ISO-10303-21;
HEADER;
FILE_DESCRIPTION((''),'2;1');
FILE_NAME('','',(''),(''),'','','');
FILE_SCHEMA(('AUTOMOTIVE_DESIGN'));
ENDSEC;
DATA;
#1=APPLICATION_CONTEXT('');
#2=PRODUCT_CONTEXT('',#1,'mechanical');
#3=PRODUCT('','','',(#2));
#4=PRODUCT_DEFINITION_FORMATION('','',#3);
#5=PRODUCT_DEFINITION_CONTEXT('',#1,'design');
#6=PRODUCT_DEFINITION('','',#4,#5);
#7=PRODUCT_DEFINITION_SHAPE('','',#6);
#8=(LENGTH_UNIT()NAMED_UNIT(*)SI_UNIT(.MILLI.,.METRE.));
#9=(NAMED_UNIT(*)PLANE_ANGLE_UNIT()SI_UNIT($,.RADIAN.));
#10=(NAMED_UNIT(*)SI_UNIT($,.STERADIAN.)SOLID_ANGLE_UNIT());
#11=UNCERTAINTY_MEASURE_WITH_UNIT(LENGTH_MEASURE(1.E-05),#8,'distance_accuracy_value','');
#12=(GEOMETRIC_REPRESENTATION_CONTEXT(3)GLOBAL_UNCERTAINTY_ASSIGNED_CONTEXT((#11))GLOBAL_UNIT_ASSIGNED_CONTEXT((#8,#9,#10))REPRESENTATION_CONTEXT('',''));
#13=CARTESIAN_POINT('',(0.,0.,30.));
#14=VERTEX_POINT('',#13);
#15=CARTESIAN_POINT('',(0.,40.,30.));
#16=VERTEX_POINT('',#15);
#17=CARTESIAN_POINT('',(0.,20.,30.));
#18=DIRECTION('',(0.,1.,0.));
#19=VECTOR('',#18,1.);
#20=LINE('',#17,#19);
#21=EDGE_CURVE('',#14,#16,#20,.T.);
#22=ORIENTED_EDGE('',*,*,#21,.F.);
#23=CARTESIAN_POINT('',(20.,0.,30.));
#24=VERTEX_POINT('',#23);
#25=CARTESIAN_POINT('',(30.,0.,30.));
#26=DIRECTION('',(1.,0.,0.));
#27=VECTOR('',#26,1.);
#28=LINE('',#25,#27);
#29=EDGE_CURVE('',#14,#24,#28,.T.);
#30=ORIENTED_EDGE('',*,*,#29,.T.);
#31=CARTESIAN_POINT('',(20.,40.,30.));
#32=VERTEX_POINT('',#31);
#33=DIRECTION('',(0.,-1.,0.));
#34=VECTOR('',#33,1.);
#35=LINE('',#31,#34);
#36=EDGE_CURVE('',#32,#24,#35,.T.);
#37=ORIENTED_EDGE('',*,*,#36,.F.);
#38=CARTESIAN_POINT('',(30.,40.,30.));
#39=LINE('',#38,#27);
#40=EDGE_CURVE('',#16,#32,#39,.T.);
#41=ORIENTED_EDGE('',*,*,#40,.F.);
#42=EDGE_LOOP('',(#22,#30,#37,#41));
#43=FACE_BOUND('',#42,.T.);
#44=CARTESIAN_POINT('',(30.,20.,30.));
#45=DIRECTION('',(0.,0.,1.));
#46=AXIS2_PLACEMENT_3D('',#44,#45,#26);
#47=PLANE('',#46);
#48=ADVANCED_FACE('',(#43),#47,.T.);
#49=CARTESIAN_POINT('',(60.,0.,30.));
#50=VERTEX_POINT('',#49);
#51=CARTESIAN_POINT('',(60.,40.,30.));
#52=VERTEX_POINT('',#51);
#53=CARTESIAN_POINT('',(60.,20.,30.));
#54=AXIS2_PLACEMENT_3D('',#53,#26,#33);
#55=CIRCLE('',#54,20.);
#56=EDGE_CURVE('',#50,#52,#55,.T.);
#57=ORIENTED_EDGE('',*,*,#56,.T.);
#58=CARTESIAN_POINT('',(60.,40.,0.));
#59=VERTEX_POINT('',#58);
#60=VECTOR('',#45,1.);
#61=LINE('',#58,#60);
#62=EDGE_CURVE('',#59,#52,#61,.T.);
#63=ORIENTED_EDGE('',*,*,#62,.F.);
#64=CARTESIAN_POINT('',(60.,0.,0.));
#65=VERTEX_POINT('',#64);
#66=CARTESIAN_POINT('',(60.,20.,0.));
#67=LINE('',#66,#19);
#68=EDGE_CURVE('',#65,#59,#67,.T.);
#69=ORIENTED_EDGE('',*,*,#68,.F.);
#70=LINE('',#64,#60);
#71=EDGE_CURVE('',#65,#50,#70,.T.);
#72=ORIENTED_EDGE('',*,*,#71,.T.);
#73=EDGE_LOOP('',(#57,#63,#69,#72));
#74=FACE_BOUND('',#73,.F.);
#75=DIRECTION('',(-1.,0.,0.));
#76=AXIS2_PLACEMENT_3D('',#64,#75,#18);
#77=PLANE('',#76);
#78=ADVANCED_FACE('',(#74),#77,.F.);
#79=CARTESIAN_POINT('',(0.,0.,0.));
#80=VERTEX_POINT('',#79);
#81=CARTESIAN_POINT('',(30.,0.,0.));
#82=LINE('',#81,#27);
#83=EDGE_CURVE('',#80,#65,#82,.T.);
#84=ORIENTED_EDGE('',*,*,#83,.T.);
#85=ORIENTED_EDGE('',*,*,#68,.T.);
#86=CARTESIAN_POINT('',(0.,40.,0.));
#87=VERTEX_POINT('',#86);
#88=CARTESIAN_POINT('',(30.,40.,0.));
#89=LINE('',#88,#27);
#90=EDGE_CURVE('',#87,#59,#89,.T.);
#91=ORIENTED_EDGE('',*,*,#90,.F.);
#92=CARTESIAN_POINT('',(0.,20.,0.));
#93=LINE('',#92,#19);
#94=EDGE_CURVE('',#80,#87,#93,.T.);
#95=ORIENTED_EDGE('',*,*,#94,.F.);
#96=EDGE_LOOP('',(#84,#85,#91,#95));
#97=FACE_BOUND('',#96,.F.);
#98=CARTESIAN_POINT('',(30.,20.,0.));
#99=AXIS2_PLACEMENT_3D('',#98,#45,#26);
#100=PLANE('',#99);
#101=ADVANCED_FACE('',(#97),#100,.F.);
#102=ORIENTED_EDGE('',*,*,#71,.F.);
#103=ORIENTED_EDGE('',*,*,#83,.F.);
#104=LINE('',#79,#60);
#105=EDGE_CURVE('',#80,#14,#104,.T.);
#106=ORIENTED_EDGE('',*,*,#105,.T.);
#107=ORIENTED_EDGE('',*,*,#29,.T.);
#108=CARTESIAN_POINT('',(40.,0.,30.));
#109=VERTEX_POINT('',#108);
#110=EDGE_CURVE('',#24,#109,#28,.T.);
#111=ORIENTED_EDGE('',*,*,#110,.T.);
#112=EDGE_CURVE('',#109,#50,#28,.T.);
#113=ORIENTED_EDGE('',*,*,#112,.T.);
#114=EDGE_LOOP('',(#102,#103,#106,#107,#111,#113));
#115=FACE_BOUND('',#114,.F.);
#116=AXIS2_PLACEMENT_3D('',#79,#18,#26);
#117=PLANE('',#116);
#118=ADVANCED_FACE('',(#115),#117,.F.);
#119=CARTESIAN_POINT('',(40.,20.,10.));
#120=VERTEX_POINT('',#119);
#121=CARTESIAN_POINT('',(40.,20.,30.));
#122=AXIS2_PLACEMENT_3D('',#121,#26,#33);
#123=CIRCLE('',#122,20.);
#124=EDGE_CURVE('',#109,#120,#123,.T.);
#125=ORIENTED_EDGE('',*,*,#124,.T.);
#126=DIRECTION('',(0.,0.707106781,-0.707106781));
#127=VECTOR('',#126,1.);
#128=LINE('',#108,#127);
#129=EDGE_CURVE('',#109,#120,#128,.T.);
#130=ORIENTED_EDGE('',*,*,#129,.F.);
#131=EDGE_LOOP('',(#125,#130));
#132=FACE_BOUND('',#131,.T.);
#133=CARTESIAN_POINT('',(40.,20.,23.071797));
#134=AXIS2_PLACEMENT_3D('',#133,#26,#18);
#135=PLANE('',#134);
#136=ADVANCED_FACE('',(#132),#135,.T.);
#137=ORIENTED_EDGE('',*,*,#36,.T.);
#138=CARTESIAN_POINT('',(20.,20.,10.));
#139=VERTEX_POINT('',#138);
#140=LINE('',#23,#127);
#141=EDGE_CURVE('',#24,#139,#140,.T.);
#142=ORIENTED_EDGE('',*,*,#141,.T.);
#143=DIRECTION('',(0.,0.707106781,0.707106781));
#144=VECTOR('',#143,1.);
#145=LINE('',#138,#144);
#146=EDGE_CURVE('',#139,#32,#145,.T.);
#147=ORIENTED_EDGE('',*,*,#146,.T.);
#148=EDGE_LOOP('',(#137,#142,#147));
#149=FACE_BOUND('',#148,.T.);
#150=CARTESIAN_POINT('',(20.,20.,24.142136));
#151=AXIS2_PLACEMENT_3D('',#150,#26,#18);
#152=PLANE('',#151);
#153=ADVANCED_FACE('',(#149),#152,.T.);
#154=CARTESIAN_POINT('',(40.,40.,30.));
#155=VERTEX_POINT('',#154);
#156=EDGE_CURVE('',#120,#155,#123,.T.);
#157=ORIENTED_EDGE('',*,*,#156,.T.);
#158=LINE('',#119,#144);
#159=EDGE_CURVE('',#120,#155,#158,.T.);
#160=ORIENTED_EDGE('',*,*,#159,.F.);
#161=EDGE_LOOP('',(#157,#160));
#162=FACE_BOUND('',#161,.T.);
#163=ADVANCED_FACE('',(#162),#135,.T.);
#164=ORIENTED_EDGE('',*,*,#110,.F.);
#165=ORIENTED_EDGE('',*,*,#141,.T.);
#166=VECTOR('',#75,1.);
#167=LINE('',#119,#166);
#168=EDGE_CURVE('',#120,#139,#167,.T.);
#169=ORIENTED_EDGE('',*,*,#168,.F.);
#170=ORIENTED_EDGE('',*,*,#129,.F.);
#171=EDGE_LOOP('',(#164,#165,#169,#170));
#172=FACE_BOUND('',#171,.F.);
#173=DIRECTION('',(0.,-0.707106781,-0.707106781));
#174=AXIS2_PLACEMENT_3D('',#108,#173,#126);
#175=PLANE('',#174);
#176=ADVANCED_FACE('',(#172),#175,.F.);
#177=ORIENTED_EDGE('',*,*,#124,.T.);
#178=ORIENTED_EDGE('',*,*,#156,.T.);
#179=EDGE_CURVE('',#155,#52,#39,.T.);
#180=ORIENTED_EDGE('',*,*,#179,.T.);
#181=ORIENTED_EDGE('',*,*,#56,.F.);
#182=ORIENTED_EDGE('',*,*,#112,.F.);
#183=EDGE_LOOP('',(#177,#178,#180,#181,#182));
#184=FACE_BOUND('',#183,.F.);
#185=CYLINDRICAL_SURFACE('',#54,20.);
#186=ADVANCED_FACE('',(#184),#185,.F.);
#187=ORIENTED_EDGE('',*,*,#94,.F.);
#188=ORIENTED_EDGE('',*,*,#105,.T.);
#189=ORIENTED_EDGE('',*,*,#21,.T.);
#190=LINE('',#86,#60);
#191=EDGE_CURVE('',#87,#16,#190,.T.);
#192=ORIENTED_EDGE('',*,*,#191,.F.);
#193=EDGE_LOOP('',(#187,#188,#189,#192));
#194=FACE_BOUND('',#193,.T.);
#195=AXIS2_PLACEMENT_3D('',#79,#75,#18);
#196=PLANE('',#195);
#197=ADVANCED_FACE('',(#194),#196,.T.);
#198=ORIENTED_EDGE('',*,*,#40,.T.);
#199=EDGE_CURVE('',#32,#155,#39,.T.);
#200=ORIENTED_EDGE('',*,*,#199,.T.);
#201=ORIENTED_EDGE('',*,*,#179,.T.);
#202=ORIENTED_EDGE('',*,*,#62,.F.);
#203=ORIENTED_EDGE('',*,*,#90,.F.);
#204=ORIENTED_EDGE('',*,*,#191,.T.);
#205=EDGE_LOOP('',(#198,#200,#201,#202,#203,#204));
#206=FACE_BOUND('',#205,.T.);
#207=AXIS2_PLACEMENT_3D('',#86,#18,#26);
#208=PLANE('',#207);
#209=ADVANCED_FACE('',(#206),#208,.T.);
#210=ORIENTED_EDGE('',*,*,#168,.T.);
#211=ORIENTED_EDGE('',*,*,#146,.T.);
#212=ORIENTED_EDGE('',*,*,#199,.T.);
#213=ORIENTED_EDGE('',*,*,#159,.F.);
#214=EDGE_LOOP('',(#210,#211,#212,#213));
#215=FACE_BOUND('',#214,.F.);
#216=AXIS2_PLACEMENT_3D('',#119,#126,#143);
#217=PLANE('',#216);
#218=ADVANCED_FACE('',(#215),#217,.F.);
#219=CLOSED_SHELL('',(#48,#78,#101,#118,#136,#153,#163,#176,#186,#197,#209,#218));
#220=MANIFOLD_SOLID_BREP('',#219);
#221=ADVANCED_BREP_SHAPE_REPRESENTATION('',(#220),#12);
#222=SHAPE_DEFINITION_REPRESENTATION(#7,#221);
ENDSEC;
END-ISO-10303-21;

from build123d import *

# Parameters (mm, degrees)
F0_W     = 60
F0_H     = 40
F1_DEPTH = 30
F3_DEPTH = 20
F5_DEPTH = 20


with BuildPart() as f1:
    # F0 (on Top) → F1 (new body)
    with BuildSketch(Plane.XY):
        with Locations((30, 20)):
            Rectangle(F0_W, F0_H)
    extrude(amount=F1_DEPTH)

    # F2 (on face) → F3 (cut)
    with BuildSketch(Plane.YZ.offset(60)):
        with BuildLine():
            Line((40, 30), (0, 30))
            ThreePointArc((0, 30), (20, 10), (40, 30))
        make_face()
    extrude(amount=-F3_DEPTH, mode=Mode.SUBTRACT)

    # F4 (on face) → F5 (cut)
    with BuildSketch(Plane.YZ.offset(40)):
        Polygon((40, 30), (0, 30), (20, 10), align=None)
    extrude(amount=-F5_DEPTH, mode=Mode.SUBTRACT)


solid = f1.part
